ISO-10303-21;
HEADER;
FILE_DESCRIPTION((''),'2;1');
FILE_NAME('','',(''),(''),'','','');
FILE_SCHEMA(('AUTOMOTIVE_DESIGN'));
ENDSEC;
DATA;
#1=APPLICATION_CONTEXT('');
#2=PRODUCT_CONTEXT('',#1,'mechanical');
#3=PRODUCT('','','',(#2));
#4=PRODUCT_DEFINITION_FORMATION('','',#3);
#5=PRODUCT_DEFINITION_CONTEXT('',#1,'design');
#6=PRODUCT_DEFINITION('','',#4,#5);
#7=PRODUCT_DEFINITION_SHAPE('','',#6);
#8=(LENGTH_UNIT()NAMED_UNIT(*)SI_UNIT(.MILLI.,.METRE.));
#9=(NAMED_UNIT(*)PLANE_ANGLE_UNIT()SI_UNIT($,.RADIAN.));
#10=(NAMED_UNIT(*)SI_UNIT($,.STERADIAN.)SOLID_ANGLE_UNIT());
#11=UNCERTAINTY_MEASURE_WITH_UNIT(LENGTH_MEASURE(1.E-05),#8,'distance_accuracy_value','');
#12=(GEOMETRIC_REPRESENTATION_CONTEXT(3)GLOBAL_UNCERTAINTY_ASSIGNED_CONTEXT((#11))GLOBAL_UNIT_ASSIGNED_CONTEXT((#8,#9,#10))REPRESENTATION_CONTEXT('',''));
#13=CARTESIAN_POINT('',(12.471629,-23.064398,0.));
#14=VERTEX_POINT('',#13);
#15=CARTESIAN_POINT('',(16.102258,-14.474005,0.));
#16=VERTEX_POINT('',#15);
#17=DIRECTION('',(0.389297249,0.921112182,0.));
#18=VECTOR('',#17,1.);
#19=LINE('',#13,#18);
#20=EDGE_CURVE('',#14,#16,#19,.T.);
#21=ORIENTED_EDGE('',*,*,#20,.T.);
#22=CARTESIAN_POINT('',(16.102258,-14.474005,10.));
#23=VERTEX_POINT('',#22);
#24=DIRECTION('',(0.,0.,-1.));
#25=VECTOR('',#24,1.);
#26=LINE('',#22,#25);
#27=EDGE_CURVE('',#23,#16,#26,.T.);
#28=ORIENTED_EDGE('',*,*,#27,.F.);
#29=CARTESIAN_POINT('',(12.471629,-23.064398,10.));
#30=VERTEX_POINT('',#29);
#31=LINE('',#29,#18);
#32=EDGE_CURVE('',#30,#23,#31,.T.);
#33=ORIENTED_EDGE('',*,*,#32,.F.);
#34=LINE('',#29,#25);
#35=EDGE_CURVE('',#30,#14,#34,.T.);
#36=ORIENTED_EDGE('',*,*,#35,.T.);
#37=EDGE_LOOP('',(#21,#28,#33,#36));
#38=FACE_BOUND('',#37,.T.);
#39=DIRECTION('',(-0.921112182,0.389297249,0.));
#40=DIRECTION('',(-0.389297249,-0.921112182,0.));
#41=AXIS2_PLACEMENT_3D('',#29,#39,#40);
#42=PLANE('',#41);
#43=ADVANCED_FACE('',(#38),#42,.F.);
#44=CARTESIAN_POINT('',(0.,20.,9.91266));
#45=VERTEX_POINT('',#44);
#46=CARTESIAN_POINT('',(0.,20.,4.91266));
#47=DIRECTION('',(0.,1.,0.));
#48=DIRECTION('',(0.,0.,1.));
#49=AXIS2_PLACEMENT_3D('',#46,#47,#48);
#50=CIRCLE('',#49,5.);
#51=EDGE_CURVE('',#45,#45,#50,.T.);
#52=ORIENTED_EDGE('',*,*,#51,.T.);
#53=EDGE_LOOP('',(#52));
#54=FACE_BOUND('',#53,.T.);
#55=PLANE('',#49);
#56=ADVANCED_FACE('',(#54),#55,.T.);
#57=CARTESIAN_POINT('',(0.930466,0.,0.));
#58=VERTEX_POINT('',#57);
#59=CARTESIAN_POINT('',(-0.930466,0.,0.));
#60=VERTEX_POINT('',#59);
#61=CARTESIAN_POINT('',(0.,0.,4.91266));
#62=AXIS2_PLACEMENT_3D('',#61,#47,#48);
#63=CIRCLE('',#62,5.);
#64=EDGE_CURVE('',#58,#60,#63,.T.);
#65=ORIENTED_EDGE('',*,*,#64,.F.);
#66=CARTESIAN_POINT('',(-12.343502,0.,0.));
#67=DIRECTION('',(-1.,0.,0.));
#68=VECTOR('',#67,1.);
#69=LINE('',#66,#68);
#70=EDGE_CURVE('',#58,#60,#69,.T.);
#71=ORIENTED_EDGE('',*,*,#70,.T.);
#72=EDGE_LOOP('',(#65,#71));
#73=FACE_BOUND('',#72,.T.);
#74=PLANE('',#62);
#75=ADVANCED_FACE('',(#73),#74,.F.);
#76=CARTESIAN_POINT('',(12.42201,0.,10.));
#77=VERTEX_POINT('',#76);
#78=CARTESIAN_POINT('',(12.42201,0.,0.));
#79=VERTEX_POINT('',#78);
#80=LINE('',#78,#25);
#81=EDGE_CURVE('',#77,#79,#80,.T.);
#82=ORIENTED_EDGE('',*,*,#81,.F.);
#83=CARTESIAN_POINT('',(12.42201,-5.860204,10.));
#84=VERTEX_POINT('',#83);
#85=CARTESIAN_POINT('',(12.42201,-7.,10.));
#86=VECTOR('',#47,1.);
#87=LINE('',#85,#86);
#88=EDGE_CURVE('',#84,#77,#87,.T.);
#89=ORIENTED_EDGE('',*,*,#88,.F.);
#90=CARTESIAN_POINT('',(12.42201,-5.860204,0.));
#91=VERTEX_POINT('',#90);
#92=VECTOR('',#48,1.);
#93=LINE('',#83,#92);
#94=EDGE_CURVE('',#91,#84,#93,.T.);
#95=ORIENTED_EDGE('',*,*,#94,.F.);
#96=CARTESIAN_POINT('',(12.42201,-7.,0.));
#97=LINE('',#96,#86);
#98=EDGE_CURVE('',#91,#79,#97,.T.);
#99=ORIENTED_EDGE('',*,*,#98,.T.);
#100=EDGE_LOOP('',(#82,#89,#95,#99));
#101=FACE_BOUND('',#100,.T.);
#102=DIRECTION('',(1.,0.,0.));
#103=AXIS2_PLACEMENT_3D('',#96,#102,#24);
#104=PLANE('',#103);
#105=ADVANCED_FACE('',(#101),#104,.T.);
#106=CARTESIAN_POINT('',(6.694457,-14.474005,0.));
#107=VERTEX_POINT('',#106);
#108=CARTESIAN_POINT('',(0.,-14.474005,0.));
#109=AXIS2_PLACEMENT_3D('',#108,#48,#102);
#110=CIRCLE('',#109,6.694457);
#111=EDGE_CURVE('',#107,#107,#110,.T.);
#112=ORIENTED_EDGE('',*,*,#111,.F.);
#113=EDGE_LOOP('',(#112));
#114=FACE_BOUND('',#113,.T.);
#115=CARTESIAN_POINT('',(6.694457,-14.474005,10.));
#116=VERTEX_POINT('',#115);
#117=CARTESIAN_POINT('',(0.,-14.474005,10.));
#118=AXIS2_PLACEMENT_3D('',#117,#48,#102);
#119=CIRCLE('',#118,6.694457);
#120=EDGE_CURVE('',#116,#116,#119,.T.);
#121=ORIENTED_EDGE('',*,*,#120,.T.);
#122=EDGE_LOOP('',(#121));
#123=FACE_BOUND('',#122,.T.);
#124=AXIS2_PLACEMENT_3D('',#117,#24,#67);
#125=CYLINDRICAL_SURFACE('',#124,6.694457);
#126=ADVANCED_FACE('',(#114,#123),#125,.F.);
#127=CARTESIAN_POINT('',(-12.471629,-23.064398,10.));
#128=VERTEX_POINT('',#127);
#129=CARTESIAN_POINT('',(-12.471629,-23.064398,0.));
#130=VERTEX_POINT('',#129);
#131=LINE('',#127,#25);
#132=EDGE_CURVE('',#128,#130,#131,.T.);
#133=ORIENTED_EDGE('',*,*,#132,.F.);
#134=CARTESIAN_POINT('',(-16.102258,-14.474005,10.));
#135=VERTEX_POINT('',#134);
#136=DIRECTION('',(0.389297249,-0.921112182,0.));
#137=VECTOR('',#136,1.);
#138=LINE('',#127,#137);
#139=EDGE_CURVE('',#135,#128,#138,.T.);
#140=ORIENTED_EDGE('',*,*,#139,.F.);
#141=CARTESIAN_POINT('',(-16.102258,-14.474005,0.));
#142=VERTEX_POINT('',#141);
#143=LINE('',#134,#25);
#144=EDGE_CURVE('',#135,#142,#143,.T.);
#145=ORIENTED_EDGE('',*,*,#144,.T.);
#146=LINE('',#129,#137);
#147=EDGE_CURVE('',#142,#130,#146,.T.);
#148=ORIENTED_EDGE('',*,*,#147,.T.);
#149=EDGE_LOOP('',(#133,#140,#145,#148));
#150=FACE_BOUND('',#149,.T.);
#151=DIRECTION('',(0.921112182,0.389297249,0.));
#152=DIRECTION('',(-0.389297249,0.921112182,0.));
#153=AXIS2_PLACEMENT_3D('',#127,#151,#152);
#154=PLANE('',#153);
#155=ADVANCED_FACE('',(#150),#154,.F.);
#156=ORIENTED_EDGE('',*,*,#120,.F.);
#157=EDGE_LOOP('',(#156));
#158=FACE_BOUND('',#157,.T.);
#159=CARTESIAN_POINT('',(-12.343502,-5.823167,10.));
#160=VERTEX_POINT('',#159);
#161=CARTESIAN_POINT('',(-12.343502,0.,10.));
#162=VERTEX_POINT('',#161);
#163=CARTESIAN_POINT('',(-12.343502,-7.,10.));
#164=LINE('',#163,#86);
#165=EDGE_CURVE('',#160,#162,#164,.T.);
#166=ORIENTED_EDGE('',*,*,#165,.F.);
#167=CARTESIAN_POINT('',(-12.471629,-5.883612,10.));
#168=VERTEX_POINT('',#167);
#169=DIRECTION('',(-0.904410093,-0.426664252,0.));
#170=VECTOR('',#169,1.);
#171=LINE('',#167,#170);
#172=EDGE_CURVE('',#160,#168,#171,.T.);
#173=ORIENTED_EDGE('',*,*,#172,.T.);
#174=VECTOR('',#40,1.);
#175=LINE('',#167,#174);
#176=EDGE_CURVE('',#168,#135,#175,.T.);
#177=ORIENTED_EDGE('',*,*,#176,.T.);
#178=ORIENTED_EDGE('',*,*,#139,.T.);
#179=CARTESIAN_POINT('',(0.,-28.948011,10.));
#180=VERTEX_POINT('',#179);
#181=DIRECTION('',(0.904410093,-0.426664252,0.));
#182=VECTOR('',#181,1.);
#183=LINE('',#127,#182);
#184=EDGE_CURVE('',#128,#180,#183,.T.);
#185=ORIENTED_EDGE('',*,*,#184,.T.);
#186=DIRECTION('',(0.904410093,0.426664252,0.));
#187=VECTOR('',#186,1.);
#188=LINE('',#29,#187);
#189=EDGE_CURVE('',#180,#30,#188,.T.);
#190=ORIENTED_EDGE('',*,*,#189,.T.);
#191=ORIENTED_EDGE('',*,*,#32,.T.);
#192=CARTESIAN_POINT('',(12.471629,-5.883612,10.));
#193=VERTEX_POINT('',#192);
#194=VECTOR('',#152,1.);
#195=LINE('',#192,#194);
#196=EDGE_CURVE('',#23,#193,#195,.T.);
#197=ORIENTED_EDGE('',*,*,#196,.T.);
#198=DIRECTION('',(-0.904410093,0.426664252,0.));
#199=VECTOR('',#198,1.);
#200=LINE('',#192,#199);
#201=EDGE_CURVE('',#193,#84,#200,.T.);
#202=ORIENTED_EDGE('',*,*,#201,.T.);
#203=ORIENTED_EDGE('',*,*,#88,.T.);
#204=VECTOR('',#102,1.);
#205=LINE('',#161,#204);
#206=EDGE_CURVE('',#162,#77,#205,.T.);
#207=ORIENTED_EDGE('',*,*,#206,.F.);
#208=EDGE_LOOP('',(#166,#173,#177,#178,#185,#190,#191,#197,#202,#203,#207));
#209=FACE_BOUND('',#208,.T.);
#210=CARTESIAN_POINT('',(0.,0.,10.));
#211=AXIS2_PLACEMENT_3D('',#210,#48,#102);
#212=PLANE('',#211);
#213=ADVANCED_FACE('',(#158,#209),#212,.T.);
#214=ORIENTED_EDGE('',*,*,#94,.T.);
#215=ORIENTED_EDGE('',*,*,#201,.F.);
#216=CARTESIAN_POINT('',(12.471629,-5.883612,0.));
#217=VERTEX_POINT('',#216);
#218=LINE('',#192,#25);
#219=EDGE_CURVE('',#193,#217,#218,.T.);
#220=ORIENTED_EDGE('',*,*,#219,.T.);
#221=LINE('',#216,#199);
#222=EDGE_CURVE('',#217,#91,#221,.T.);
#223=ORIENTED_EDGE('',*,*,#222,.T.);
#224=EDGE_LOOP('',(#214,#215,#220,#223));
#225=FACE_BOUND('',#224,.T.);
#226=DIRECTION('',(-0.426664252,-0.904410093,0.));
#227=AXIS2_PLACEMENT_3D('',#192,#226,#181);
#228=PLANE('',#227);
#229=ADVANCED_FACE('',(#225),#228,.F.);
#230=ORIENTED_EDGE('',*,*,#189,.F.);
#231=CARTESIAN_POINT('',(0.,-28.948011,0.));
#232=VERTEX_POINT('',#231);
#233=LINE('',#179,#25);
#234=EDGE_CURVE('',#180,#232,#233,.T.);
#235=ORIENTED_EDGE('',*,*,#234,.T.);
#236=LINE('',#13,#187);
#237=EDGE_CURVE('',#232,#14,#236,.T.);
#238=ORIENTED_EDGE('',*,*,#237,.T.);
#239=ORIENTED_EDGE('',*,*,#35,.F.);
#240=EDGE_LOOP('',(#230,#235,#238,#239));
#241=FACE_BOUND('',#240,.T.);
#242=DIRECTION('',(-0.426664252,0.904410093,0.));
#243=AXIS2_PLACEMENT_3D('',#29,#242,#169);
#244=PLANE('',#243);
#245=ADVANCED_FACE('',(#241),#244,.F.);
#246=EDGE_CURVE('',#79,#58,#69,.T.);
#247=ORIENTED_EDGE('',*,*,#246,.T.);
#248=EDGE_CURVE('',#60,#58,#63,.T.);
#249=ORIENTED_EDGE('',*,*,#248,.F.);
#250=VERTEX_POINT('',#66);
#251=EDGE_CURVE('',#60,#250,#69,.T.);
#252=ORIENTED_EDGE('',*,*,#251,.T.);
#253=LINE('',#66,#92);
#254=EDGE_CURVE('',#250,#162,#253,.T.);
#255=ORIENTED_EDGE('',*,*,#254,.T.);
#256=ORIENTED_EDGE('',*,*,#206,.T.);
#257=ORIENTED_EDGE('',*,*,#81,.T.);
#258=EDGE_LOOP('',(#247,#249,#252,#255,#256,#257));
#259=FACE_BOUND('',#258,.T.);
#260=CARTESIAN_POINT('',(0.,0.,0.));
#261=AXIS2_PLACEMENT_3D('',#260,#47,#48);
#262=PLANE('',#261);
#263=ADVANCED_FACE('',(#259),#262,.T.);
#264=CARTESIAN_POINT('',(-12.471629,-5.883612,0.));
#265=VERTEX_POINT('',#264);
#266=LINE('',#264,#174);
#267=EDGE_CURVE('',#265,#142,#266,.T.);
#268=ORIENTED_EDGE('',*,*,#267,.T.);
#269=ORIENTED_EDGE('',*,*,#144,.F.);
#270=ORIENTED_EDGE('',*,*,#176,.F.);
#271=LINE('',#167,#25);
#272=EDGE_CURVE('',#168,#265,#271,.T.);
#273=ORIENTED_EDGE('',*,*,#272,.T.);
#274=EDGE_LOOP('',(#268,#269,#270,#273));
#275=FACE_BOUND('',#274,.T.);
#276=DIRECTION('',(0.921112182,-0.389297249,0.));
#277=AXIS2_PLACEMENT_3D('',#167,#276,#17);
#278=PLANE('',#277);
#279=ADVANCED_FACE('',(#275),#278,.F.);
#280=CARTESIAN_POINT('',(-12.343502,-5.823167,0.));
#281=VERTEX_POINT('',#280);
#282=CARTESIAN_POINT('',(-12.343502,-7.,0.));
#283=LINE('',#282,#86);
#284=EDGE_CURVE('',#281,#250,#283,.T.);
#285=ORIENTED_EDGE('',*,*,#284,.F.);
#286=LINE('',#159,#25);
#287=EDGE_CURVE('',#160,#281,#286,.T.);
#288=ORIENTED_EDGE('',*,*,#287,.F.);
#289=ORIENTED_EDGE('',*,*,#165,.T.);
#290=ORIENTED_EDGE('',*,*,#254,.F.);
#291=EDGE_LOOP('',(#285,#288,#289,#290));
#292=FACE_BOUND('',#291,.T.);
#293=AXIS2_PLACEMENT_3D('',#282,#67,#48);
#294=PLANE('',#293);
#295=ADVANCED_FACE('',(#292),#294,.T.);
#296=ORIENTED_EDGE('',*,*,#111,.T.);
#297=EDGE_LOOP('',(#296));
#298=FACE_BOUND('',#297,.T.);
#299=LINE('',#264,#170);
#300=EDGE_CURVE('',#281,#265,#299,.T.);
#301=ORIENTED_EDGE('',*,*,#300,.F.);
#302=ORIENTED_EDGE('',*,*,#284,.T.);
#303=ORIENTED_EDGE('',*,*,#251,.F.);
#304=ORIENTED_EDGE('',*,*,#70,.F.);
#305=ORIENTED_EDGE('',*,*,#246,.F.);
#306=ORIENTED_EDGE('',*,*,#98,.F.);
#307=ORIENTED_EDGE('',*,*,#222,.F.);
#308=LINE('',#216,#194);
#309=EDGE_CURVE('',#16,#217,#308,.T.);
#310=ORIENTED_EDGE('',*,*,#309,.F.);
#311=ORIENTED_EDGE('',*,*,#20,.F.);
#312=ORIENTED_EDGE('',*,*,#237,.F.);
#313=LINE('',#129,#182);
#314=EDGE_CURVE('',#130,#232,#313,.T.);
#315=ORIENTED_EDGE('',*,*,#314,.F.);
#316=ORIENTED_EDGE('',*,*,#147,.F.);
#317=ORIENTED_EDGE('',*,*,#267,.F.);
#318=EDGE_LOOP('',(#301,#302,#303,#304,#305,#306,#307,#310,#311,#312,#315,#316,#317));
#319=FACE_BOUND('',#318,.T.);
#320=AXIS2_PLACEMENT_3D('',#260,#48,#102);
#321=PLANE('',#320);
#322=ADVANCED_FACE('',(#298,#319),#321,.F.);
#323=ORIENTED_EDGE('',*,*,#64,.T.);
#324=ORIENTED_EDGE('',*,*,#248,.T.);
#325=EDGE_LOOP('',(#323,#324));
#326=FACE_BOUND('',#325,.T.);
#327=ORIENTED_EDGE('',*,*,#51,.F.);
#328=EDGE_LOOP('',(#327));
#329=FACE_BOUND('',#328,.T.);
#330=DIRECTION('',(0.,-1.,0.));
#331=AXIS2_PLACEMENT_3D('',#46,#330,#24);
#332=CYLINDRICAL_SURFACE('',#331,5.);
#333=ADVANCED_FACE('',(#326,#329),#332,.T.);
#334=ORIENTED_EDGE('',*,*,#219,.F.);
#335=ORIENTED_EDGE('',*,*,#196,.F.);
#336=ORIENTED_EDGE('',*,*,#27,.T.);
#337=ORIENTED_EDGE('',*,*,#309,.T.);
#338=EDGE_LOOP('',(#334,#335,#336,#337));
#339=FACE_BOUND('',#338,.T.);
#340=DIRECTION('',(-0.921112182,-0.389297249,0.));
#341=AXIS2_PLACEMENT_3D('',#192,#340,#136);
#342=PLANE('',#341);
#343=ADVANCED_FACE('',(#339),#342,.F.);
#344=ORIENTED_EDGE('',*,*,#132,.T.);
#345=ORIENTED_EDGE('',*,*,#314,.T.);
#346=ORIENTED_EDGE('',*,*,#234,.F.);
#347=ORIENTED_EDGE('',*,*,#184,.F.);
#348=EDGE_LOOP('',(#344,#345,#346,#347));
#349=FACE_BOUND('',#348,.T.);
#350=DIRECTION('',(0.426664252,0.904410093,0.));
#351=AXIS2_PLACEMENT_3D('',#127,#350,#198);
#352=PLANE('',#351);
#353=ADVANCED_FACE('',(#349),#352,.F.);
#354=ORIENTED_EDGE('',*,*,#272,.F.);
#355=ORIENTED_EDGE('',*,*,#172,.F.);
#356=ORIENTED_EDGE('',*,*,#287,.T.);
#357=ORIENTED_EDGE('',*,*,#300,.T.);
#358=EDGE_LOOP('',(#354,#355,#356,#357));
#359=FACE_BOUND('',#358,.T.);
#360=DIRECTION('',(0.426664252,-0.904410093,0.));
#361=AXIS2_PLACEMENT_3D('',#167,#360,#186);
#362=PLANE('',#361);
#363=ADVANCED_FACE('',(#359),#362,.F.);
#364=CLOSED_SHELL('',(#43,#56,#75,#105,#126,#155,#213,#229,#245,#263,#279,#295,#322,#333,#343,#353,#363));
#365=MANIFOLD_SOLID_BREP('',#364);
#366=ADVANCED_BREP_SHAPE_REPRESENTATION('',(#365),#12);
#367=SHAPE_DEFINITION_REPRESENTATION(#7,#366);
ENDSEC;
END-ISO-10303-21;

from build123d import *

# Parameters (mm, degrees)
SKETCH1_R           = 6.694456565
BOSS_EXTRUDE1_DEPTH = 10
SKETCH2_W           = 24.765512155
SKETCH2_H           = 10
BOSS_EXTRUDE2_DEPTH = 7
SKETCH4_R           = 5
BOSS_EXTRUDE4_DEPTH = 20


with BuildPart() as part:
    # Sketch1 → Boss-Extrude1 (new body)
    with BuildSketch(Plane.XY):
        Polygon((-12.471629347, -23.064398423), (-16.102258105, -14.474005392), (-12.471629347, -5.883612362), (0, 0), (12.471629347, -5.883612362), (16.102258105, -14.474005392), (12.471629347, -23.064398423), (0, -28.948010785), align=None)
        with Locations((0, -14.474005392)):
            Circle(SKETCH1_R, mode=Mode.SUBTRACT)
    extrude(amount=BOSS_EXTRUDE1_DEPTH)

    # Sketch2 → Boss-Extrude2 (add)
    with BuildSketch(Plane(origin=(0, 0, 0), x_dir=(1, 0, 0), z_dir=(0, 1, 0))):
        with Locations((0.039254209, -5)):
            Rectangle(SKETCH2_W, SKETCH2_H)
    extrude(amount=-BOSS_EXTRUDE2_DEPTH)

    # Sketch4 → Boss-Extrude4 (add)
    with BuildSketch(Plane(origin=(0, 0, 0), x_dir=(1, 0, 0), z_dir=(0, 1, 0))):
        with Locations(Location((0, -4.912660405, 0), (0, 0, 100.724879792))):
            Circle(SKETCH4_R)
    extrude(amount=BOSS_EXTRUDE4_DEPTH)


solid = part.part
